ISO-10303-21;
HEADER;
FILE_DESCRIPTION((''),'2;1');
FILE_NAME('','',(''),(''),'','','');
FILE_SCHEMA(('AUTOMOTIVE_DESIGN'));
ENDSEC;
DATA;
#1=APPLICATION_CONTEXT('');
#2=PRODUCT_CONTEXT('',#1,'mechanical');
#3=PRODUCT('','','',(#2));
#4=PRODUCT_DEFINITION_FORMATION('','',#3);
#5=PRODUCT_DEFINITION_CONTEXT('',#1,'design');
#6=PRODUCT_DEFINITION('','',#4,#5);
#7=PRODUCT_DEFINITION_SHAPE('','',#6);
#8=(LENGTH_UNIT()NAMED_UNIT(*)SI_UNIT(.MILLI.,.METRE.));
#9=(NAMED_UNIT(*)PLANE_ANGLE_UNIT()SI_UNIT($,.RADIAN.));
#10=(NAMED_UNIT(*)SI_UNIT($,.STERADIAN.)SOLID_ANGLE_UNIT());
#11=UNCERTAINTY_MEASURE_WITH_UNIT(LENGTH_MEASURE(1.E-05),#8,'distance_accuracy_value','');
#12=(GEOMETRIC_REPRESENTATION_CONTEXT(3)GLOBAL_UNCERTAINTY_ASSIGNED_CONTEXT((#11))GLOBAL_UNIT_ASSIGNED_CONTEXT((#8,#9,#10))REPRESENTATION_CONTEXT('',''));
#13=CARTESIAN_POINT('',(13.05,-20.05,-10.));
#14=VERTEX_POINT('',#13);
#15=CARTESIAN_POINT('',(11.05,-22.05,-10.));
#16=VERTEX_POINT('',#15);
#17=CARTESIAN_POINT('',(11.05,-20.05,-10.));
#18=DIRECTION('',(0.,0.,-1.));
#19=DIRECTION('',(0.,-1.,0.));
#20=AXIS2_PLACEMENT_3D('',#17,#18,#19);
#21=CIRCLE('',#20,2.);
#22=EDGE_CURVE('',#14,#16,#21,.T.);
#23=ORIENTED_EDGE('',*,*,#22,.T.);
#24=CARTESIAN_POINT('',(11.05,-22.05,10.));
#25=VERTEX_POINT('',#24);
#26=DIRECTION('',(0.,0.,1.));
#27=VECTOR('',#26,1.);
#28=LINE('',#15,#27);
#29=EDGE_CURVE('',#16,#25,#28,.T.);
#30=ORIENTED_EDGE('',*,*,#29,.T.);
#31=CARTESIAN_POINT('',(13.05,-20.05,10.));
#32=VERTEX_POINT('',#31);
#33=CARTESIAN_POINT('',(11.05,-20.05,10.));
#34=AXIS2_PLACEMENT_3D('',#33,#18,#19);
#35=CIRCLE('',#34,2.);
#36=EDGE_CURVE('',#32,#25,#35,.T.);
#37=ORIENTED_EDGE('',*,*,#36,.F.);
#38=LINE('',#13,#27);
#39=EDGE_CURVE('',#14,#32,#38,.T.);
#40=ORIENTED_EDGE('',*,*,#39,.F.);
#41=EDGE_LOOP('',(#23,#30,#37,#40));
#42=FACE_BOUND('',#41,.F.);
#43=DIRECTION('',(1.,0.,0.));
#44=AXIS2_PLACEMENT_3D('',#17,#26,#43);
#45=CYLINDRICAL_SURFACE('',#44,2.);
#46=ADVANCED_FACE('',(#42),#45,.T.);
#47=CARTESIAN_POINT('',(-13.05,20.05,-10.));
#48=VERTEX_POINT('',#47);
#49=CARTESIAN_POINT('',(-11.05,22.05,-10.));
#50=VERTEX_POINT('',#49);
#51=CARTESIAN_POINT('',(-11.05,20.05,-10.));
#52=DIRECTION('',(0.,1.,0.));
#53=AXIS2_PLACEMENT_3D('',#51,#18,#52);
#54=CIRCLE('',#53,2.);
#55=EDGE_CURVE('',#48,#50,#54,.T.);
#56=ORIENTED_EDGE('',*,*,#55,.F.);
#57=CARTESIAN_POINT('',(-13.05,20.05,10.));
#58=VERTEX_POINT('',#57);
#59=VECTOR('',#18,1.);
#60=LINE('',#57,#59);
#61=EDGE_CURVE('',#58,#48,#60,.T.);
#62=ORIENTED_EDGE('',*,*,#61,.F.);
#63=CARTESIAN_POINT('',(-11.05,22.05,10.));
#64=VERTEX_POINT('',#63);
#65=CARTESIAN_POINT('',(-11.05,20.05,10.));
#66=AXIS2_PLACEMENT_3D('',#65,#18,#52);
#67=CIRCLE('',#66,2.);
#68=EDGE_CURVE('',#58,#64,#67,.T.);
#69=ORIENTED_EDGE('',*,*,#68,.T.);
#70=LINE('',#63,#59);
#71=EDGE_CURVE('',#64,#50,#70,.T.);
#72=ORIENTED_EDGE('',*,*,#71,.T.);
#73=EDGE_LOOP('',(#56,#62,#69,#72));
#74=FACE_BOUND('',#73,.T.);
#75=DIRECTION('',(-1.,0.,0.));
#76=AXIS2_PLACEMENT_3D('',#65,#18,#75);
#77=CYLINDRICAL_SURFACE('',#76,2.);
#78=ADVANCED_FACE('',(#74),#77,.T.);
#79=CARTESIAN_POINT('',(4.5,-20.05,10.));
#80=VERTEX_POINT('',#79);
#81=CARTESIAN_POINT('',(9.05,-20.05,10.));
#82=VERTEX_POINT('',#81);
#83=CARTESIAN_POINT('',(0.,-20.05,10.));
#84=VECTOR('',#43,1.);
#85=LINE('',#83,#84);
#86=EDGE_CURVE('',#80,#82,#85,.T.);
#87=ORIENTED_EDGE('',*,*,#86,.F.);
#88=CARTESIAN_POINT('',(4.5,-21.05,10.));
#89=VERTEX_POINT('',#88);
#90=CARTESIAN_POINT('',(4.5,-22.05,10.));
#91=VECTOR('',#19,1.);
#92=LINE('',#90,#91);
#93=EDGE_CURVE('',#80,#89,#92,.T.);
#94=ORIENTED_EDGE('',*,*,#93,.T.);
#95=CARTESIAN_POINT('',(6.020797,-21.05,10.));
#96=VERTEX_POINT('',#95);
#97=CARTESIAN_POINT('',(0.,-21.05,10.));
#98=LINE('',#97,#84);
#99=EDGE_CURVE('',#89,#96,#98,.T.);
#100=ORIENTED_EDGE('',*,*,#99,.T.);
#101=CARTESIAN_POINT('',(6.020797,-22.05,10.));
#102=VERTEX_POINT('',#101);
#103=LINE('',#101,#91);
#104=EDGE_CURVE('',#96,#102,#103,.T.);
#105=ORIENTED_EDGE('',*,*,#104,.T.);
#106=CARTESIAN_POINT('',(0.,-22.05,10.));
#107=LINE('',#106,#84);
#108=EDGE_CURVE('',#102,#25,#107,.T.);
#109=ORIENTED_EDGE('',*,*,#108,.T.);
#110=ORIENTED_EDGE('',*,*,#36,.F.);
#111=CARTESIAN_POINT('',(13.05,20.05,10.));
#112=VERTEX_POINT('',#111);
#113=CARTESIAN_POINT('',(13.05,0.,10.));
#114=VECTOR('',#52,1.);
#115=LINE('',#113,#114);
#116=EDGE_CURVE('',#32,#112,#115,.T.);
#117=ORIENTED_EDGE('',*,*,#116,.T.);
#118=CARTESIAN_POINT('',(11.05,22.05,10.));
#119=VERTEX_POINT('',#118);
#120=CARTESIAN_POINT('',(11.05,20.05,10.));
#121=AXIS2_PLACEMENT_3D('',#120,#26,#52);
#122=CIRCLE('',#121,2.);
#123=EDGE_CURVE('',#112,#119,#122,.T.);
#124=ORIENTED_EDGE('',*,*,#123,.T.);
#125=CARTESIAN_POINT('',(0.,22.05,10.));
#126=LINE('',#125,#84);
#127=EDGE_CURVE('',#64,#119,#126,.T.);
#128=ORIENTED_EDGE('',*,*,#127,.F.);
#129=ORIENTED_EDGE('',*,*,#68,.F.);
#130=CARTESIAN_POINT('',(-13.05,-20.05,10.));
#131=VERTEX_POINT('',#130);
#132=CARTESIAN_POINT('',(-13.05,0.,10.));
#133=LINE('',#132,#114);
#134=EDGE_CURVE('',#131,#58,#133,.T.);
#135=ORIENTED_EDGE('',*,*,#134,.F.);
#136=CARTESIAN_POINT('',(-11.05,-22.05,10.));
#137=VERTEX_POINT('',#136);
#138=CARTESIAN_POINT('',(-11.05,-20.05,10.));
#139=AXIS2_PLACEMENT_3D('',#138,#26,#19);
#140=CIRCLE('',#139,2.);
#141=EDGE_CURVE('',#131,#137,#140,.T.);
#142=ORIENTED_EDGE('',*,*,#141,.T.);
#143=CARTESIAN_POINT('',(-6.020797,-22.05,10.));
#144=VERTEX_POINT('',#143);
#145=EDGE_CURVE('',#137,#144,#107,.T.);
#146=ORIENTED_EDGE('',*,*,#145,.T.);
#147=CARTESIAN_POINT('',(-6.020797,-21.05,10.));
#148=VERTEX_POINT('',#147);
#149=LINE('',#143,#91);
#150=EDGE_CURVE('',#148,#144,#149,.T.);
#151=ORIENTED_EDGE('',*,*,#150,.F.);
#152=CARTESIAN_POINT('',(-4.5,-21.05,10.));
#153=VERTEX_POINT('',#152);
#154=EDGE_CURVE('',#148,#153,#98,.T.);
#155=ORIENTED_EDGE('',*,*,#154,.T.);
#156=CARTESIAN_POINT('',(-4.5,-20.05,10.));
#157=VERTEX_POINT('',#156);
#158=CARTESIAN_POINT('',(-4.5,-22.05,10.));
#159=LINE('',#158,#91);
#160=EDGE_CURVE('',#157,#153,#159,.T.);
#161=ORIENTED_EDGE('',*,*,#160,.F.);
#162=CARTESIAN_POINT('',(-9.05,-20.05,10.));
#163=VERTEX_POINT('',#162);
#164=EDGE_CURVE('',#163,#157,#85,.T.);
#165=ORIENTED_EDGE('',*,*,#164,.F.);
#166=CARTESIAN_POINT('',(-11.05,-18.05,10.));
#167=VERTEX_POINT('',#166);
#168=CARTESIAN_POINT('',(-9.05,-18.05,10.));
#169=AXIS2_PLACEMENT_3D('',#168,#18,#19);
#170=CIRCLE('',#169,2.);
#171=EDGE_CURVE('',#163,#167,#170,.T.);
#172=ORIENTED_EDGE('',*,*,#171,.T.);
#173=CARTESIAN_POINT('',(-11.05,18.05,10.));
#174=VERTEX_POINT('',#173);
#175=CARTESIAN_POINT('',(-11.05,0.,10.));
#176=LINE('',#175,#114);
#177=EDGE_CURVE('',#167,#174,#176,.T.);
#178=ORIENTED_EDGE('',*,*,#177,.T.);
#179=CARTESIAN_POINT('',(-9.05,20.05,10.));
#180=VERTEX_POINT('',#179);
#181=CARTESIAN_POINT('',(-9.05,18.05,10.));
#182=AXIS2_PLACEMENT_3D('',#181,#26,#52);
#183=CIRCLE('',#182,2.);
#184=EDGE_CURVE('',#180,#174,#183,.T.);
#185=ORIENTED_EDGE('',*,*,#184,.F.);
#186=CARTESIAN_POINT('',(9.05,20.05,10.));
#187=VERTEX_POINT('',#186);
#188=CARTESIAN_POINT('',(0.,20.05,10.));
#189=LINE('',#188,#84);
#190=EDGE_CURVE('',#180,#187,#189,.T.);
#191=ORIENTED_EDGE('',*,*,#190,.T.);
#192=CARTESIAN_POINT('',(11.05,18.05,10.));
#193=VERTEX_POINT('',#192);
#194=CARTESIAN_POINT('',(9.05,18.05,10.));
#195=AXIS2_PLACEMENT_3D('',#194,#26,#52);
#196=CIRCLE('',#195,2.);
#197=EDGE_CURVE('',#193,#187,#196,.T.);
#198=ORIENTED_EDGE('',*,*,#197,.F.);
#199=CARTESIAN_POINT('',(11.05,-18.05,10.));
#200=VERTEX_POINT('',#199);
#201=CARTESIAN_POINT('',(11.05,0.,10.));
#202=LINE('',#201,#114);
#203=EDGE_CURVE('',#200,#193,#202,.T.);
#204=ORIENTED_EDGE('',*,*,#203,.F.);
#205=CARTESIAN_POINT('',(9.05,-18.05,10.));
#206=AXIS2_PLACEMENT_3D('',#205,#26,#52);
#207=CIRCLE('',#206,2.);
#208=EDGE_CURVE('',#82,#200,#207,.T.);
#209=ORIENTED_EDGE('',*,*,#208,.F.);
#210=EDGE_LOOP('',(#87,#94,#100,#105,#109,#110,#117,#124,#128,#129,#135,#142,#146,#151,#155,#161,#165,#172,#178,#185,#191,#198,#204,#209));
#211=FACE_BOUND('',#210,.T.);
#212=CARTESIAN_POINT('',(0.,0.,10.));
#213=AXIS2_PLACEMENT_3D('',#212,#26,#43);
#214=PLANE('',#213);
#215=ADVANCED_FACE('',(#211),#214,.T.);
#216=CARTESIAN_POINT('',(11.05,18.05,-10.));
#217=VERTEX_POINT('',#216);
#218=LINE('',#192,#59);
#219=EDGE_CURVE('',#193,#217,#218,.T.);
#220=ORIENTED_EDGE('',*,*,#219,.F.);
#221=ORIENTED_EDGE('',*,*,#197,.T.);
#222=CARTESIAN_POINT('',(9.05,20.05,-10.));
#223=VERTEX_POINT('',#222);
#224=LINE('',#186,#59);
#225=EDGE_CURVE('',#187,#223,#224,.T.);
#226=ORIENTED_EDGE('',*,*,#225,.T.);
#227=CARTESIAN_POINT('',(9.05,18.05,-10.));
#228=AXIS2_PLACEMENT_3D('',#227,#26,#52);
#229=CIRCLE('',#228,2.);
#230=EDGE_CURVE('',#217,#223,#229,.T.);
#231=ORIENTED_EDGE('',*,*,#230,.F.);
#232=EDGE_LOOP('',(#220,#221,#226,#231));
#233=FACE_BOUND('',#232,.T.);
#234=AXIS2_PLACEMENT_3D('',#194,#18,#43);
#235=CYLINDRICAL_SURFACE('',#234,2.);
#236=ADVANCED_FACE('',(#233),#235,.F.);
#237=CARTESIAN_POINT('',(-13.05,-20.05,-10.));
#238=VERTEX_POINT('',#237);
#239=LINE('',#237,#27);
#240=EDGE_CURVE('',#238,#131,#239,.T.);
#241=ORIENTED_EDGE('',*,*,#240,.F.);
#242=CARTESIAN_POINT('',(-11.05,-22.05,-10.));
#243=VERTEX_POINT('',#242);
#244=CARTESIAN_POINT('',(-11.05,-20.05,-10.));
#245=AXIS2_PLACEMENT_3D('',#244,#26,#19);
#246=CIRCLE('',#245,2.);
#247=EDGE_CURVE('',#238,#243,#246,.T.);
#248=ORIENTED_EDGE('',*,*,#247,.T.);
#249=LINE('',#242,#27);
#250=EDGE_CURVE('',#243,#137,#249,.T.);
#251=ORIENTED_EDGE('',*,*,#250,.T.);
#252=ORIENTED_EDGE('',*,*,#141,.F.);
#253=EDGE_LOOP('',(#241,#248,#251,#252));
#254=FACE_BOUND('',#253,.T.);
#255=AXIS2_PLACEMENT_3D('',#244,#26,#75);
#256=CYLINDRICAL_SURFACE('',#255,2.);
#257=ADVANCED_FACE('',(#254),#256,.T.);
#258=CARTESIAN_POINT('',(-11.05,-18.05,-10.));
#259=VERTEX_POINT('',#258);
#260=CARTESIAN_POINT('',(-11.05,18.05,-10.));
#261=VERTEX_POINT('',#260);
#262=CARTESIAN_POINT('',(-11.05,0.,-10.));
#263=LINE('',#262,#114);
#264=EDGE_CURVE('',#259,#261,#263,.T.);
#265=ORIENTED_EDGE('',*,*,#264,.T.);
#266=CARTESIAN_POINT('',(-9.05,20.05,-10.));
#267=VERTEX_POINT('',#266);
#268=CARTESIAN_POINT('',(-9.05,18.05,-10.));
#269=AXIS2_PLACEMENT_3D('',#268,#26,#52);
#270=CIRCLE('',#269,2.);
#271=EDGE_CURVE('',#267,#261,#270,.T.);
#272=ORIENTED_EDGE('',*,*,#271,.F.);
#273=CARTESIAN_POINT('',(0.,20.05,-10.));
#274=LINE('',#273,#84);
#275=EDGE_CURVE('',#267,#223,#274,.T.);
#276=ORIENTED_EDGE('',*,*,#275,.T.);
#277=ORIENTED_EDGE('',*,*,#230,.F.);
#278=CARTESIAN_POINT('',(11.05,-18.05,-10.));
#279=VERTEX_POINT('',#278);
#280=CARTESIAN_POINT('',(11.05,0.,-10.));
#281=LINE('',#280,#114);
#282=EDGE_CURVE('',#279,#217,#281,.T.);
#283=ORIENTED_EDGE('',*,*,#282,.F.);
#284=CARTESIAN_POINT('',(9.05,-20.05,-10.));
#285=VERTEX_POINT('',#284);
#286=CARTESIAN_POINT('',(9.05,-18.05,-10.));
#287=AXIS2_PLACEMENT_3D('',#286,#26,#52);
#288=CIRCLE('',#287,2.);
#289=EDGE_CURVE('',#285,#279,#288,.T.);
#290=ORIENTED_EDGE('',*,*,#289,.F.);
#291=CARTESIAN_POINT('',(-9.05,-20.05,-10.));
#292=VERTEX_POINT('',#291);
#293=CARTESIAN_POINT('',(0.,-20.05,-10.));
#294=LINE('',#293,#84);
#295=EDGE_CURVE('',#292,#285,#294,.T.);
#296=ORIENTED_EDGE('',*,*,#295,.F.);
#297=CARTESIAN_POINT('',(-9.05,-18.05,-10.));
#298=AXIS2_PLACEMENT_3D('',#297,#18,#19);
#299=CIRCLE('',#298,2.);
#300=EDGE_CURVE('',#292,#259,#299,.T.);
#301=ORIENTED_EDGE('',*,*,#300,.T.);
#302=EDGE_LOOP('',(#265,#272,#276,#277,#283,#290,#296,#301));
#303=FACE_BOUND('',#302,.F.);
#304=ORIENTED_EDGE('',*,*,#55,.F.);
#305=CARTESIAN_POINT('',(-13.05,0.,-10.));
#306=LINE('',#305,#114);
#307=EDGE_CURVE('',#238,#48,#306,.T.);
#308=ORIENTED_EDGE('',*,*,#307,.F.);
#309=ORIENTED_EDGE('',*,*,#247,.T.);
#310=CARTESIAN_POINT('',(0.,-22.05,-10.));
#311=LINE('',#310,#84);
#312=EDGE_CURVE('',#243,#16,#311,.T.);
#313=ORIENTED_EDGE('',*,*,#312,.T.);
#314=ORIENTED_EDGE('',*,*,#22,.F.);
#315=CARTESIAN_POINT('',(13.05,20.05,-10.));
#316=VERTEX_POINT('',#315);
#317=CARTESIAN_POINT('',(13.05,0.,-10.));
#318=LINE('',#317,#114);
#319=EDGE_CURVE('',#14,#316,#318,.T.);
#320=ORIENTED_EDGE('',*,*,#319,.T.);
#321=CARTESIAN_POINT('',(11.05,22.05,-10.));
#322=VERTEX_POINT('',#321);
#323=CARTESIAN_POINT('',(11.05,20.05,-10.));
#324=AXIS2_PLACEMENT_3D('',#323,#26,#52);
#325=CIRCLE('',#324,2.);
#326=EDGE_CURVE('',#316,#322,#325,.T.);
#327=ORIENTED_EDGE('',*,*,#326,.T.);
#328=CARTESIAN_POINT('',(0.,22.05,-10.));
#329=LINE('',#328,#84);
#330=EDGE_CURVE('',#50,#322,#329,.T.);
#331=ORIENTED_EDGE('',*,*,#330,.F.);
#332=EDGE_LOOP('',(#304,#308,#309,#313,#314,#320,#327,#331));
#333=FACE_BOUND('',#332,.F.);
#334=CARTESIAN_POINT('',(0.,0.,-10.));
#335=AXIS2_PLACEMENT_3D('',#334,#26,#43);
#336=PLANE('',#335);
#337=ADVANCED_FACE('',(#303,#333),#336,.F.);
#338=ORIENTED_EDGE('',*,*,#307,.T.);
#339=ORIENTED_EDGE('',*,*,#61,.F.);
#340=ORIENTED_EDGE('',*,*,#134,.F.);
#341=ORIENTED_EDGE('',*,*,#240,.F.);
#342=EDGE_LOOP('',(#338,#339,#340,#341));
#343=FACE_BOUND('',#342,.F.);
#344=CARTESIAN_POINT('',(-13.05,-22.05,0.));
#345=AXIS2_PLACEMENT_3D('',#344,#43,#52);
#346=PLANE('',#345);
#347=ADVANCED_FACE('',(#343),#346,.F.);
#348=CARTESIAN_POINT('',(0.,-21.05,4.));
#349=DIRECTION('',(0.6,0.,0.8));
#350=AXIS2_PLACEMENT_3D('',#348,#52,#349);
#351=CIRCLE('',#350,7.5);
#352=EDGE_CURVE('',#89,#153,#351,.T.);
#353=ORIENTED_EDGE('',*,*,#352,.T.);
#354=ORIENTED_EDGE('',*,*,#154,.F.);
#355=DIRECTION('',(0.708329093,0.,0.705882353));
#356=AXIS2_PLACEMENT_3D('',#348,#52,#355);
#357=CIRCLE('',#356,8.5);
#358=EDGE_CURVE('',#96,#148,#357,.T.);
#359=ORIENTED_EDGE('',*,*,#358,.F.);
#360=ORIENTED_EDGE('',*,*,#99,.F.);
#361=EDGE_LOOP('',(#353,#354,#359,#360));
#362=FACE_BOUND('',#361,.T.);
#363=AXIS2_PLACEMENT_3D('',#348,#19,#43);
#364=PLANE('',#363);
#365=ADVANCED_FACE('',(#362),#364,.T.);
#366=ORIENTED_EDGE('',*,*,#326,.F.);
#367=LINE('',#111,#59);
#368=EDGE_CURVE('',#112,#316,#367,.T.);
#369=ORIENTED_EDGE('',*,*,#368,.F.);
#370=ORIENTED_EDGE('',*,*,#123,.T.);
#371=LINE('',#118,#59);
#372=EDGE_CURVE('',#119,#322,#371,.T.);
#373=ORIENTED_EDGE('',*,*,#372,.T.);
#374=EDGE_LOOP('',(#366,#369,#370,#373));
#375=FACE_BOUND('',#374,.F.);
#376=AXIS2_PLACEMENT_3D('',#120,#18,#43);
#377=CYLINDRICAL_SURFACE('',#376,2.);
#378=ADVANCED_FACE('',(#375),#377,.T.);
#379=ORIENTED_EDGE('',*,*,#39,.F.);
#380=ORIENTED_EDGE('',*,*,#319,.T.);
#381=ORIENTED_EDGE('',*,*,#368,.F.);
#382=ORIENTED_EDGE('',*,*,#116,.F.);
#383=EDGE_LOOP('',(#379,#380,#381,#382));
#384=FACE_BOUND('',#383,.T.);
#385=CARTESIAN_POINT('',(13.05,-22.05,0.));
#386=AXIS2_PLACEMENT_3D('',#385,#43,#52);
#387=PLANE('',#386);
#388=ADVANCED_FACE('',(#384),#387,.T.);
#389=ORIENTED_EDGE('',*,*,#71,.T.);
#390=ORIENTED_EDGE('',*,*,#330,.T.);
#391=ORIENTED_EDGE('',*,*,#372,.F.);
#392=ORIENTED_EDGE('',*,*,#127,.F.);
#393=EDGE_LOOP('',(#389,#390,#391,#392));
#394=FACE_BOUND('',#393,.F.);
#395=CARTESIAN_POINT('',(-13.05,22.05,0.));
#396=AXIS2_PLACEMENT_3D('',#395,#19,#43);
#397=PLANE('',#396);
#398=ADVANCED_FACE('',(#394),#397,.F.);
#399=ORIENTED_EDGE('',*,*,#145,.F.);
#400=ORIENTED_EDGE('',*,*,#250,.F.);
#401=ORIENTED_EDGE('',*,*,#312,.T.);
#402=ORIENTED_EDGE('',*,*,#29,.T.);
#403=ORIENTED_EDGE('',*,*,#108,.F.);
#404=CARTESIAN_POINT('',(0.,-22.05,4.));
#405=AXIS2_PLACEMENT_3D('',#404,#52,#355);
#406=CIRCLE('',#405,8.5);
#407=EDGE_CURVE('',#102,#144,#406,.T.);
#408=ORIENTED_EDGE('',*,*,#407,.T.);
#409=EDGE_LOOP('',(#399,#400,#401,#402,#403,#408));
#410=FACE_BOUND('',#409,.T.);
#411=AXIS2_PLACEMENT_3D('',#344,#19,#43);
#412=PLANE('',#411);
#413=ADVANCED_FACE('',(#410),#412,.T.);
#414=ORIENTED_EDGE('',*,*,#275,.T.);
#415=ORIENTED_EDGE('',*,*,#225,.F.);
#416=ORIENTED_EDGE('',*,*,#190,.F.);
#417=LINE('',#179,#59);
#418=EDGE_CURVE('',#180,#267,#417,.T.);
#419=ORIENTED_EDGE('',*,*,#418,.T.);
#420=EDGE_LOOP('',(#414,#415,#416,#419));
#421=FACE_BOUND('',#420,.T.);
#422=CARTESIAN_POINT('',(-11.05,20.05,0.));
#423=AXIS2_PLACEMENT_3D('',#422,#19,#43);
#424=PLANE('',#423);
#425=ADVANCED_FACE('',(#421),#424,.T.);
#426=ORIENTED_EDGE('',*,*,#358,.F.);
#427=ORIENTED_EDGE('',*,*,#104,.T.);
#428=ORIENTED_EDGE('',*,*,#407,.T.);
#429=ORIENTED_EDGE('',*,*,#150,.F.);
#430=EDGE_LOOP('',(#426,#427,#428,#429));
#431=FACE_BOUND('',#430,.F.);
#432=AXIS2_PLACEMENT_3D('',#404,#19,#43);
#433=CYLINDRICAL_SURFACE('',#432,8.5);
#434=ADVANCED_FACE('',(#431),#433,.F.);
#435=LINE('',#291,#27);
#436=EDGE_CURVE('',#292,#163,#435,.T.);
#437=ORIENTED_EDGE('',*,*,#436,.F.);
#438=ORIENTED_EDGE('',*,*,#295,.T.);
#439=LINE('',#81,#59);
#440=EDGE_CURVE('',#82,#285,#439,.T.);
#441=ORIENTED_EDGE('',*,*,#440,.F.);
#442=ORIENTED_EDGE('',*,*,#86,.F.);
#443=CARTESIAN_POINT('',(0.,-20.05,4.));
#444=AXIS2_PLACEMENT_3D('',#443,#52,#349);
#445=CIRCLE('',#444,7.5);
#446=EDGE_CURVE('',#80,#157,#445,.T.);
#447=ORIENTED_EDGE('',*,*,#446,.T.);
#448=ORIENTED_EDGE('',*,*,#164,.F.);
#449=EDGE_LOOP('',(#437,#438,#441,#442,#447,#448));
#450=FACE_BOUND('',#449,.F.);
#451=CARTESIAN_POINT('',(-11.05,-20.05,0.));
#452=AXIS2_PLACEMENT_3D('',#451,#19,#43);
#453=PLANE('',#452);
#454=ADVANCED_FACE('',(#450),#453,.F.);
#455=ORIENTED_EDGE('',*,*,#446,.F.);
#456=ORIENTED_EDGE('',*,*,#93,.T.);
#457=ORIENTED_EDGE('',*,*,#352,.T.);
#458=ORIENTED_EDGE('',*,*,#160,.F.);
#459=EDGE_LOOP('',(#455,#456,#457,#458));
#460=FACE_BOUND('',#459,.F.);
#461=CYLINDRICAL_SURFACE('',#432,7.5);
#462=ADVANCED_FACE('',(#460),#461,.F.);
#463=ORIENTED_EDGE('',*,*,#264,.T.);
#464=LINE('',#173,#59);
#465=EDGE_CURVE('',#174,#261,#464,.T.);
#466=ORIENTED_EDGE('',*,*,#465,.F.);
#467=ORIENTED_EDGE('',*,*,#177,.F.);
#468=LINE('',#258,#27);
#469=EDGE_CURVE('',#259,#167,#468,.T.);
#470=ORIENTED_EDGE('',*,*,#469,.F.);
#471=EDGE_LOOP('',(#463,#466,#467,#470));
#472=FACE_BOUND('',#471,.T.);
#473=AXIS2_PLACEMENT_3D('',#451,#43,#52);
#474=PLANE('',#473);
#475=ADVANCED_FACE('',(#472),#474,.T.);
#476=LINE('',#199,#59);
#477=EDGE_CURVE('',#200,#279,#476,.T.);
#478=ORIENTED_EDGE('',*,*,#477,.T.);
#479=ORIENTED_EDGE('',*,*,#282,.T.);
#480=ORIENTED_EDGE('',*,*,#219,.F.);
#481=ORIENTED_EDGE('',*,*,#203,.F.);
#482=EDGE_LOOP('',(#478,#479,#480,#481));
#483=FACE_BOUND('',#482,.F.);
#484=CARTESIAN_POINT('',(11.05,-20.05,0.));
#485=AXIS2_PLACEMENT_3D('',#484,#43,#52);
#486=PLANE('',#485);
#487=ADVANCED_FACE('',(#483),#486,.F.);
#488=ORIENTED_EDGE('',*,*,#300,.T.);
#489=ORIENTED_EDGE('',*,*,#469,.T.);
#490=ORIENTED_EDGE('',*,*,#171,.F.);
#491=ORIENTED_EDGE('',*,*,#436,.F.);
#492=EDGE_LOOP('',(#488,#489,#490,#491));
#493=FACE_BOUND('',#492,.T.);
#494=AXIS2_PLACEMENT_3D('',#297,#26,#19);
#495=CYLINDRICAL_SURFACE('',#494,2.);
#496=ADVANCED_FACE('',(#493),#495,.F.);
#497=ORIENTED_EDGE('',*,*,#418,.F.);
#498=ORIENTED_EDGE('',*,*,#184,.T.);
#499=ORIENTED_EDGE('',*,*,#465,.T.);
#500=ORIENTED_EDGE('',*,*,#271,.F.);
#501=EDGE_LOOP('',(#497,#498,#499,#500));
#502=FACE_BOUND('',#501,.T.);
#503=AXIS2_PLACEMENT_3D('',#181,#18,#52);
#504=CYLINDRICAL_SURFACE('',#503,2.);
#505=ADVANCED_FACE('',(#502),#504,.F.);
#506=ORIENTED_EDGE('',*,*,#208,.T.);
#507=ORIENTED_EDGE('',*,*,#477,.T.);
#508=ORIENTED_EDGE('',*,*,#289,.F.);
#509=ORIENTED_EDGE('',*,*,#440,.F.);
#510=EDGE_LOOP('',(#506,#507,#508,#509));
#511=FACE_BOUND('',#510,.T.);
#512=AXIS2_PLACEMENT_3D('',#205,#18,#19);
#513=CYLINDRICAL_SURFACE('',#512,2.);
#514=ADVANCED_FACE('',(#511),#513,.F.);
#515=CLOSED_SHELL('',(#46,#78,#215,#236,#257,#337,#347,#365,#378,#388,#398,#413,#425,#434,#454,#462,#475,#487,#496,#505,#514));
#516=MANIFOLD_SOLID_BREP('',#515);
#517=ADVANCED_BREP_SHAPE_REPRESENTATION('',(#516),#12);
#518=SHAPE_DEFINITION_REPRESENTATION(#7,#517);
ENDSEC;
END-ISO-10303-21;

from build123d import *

# Parameters (mm, degrees)
F0_W     = 26.1
F0_H     = 44.1
F0_W_2   = 22.1
F0_H_2   = 40.1
F1_DEPTH = 10
F2_R     = 7.5
F3_DEPTH = 10
F4_R     = 8.5
F4_R_2   = 7.5
F5_DEPTH = 1
F6_R     = 2
F7_R     = 2


with BuildPart() as f1:
    # F0 (on Top) → F1 (new body, symmetric)
    with BuildSketch(Plane.XY):
        Rectangle(F0_W, F0_H)
        Rectangle(F0_W_2, F0_H_2, mode=Mode.SUBTRACT)
    extrude(amount=F1_DEPTH, both=True)

    # F2 (on face) → F3 (cut)
    with BuildSketch(Plane.XZ.offset(22.05)):
        with Locations((0, 4)):
            Circle(F2_R)
    extrude(amount=-F3_DEPTH, mode=Mode.SUBTRACT)

    # F4 (on face) → F5 (cut)
    with BuildSketch(Plane.XZ.offset(22.05)):
        with Locations((0, 4)):
            Circle(F4_R)
        with Locations((0, 4)):
            Circle(F4_R_2, mode=Mode.SUBTRACT)
    extrude(amount=-F5_DEPTH, mode=Mode.SUBTRACT)

    # F6
    f6_edges = [f1.edges().sort_by_distance(p)[0] for p in [
        (-13.05, -22.05, 0),
        (13.05, -22.05, 0),
        (13.05, 22.05, 0),
        (-13.05, 22.05, 0),
    ]]
    fillet(f6_edges, radius=F6_R)

    # F7
    f7_edges = [f1.edges().sort_by_distance(p)[0] for p in [
        (-11.05, 20.05, 0),
        (11.05, 20.05, 0),
        (11.05, -20.05, 0),
        (-11.05, -20.05, 0),
    ]]
    fillet(f7_edges, radius=F7_R)


solid = f1.part
